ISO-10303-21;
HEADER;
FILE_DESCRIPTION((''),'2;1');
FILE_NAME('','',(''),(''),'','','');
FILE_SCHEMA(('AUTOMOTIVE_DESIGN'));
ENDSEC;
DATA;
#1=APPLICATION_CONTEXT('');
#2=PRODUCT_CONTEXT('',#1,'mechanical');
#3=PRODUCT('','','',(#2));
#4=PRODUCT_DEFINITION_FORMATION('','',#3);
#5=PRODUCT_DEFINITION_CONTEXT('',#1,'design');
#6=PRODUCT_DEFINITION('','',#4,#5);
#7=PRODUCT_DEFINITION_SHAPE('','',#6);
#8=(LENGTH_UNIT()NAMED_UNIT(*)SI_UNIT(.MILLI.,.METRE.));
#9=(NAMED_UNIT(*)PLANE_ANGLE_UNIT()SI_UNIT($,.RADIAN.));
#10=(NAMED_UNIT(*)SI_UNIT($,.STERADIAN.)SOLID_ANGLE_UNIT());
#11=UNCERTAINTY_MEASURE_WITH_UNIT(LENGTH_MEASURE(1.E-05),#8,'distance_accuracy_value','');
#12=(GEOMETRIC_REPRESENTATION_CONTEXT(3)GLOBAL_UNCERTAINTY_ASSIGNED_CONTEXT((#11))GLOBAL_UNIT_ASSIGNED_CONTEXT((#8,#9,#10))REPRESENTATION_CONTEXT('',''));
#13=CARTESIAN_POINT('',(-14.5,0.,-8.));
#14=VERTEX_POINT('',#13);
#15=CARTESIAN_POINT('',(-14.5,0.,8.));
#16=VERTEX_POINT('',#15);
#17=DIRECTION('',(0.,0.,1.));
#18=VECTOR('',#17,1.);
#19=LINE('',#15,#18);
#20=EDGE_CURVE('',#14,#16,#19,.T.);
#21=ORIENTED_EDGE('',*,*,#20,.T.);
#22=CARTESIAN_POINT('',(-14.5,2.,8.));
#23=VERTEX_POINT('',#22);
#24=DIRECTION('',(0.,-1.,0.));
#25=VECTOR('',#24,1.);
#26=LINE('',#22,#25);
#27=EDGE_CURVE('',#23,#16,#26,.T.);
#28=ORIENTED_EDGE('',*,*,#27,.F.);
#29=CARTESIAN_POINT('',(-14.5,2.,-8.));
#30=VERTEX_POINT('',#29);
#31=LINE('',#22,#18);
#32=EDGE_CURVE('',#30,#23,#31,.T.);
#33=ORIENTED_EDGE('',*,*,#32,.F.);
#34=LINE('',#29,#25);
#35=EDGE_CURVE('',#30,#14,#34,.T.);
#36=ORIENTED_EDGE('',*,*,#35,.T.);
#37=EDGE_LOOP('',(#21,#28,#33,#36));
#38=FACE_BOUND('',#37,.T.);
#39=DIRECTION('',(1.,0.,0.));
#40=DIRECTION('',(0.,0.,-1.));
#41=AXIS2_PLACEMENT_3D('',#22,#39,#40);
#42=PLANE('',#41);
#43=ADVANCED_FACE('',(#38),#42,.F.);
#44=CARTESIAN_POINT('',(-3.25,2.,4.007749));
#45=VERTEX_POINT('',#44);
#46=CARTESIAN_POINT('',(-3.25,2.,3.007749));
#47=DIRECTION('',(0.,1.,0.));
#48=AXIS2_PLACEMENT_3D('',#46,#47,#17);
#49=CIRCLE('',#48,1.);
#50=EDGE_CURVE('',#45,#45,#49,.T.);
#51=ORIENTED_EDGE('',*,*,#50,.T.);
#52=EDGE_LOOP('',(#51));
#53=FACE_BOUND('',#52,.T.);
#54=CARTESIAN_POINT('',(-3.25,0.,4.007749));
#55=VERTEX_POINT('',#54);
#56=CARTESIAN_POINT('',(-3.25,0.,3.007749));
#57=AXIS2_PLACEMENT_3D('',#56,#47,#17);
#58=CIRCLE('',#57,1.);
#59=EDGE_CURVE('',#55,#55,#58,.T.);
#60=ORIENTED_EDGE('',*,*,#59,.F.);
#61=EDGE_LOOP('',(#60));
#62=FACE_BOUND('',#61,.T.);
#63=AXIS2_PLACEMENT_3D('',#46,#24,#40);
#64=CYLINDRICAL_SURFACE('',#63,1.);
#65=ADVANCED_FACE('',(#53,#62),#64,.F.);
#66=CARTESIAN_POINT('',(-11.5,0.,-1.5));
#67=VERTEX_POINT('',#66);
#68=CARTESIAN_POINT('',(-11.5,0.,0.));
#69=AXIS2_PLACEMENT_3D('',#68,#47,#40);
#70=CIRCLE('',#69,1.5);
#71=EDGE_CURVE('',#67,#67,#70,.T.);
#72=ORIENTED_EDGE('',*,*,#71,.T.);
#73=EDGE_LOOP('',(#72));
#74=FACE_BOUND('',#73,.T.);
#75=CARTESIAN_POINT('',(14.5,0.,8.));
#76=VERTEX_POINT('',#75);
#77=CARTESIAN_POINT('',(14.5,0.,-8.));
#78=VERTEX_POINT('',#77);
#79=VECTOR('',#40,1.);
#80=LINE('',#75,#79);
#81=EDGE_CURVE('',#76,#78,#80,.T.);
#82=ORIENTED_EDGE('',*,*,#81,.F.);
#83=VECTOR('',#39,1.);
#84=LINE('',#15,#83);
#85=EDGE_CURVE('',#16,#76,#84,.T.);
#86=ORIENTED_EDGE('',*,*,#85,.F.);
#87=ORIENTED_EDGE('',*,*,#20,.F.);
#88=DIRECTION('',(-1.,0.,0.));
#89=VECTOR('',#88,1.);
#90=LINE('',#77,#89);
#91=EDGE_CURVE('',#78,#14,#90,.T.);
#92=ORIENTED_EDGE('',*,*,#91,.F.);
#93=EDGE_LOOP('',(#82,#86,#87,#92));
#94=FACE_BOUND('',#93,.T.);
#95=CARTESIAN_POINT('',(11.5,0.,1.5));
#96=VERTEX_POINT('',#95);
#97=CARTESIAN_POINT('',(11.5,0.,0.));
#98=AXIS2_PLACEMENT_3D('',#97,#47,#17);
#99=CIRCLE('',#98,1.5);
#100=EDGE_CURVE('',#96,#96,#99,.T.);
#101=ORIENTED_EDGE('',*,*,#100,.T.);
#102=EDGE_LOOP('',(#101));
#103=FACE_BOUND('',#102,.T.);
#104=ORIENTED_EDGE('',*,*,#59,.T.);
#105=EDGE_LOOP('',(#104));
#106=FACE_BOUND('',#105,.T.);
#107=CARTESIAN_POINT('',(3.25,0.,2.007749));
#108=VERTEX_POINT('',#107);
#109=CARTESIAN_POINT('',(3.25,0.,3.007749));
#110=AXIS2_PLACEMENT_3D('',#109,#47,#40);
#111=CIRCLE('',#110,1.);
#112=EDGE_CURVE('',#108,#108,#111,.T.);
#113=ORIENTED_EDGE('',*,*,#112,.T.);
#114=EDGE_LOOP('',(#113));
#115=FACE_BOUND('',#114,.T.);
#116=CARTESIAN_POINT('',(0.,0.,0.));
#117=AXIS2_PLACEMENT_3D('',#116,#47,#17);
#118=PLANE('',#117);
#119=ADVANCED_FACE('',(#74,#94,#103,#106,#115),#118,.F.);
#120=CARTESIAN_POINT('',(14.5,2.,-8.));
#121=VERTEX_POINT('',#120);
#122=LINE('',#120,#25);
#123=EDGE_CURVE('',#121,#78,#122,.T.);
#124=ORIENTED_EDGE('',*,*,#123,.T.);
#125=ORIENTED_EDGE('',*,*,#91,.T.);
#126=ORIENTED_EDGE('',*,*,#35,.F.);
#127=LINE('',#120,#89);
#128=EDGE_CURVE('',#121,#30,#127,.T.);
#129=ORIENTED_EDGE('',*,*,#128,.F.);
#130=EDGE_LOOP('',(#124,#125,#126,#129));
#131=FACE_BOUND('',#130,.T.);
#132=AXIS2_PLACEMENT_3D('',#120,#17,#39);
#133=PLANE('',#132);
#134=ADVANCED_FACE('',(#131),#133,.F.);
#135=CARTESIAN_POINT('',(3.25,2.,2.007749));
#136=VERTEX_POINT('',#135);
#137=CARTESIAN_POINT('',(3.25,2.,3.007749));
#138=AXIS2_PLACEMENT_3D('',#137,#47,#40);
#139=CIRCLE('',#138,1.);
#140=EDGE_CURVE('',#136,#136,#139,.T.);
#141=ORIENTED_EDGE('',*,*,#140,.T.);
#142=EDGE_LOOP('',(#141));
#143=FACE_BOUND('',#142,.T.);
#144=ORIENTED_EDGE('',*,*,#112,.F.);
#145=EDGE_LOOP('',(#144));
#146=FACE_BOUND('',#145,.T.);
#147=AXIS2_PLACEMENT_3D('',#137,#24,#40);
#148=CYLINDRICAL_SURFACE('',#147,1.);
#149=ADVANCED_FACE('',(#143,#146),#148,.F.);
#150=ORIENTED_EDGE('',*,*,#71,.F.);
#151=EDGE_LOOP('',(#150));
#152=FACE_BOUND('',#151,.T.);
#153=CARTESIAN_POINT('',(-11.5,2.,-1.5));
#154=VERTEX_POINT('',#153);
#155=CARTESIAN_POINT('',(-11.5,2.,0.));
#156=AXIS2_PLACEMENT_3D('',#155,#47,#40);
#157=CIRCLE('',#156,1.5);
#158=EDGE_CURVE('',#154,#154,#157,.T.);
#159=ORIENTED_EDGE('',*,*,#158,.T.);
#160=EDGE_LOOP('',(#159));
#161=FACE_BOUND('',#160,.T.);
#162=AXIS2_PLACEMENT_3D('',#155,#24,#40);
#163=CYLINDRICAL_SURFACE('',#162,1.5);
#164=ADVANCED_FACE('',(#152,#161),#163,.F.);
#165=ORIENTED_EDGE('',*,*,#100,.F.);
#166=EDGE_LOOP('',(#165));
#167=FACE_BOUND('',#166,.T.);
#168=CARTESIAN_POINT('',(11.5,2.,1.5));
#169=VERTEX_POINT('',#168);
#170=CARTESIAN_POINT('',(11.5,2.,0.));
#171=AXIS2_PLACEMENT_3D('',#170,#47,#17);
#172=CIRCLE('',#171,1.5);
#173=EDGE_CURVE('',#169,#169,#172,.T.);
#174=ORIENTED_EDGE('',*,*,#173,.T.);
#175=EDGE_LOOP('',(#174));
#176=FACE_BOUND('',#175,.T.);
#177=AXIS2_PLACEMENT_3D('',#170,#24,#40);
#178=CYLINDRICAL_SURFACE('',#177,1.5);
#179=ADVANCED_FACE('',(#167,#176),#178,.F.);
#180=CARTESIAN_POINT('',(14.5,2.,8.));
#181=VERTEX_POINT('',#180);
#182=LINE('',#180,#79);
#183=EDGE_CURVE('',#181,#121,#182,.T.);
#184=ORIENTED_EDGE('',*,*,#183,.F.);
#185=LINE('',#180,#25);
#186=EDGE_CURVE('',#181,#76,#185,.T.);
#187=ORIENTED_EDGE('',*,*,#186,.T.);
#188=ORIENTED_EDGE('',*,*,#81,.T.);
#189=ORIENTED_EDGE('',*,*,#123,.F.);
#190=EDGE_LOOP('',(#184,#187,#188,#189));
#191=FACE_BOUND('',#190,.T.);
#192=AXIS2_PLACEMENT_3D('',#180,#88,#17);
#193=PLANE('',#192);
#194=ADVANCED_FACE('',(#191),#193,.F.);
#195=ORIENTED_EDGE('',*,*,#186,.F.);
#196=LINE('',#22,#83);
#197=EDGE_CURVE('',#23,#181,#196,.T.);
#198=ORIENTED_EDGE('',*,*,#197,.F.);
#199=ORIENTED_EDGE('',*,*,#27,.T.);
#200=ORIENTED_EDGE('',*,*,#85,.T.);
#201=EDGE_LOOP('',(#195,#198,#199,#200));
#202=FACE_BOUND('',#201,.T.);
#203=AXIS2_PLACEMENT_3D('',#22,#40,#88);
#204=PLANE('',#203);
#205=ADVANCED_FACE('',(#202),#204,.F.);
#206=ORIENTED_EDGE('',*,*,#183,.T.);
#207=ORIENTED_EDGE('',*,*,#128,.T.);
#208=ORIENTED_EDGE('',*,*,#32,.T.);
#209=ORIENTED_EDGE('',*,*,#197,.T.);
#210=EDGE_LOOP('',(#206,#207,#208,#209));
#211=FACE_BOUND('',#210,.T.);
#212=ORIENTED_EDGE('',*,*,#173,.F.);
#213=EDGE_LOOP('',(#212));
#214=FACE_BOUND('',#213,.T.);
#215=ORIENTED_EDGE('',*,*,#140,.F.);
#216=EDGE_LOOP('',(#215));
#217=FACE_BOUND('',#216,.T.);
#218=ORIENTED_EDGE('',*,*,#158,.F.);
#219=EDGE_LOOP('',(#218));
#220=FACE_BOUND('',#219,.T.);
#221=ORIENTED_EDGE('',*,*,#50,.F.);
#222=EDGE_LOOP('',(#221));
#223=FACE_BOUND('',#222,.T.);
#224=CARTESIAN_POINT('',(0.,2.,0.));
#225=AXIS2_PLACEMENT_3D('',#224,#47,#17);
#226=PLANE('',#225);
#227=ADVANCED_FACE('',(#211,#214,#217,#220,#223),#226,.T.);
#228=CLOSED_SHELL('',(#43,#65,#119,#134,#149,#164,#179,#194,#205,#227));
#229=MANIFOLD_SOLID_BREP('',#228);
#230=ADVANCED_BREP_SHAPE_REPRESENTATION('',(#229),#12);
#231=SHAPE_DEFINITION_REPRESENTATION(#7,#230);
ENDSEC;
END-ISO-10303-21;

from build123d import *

# Parameters (mm, degrees)
CROQUIS1_W              = 29
CROQUIS1_H              = 16
CROQUIS1_R              = 1.5
CROQUIS1_R_2            = 1
SALIENTE_EXTRUIR1_DEPTH = 2


with BuildPart() as part:
    # Croquis1 → Saliente-Extruir1 (new body)
    with BuildSketch(Plane(origin=(0, 0, 0), x_dir=(1, 0, 0), z_dir=(0, 1, 0))):
        Rectangle(CROQUIS1_W, CROQUIS1_H)
        with Locations(Location((11.5, 0, 0), (0, 0, 270))):
            Circle(CROQUIS1_R, mode=Mode.SUBTRACT)
        with Locations(Location((-11.5, 0, 0), (0, 0, 90))):
            Circle(CROQUIS1_R, mode=Mode.SUBTRACT)
        with Locations(Location((-3.25, -3.007748766, 0), (0, 0, 270))):
            Circle(CROQUIS1_R_2, mode=Mode.SUBTRACT)
        with Locations(Location((3.25, -3.007748766, 0), (0, 0, 90))):
            Circle(CROQUIS1_R_2, mode=Mode.SUBTRACT)
    extrude(amount=SALIENTE_EXTRUIR1_DEPTH)


solid = part.part
